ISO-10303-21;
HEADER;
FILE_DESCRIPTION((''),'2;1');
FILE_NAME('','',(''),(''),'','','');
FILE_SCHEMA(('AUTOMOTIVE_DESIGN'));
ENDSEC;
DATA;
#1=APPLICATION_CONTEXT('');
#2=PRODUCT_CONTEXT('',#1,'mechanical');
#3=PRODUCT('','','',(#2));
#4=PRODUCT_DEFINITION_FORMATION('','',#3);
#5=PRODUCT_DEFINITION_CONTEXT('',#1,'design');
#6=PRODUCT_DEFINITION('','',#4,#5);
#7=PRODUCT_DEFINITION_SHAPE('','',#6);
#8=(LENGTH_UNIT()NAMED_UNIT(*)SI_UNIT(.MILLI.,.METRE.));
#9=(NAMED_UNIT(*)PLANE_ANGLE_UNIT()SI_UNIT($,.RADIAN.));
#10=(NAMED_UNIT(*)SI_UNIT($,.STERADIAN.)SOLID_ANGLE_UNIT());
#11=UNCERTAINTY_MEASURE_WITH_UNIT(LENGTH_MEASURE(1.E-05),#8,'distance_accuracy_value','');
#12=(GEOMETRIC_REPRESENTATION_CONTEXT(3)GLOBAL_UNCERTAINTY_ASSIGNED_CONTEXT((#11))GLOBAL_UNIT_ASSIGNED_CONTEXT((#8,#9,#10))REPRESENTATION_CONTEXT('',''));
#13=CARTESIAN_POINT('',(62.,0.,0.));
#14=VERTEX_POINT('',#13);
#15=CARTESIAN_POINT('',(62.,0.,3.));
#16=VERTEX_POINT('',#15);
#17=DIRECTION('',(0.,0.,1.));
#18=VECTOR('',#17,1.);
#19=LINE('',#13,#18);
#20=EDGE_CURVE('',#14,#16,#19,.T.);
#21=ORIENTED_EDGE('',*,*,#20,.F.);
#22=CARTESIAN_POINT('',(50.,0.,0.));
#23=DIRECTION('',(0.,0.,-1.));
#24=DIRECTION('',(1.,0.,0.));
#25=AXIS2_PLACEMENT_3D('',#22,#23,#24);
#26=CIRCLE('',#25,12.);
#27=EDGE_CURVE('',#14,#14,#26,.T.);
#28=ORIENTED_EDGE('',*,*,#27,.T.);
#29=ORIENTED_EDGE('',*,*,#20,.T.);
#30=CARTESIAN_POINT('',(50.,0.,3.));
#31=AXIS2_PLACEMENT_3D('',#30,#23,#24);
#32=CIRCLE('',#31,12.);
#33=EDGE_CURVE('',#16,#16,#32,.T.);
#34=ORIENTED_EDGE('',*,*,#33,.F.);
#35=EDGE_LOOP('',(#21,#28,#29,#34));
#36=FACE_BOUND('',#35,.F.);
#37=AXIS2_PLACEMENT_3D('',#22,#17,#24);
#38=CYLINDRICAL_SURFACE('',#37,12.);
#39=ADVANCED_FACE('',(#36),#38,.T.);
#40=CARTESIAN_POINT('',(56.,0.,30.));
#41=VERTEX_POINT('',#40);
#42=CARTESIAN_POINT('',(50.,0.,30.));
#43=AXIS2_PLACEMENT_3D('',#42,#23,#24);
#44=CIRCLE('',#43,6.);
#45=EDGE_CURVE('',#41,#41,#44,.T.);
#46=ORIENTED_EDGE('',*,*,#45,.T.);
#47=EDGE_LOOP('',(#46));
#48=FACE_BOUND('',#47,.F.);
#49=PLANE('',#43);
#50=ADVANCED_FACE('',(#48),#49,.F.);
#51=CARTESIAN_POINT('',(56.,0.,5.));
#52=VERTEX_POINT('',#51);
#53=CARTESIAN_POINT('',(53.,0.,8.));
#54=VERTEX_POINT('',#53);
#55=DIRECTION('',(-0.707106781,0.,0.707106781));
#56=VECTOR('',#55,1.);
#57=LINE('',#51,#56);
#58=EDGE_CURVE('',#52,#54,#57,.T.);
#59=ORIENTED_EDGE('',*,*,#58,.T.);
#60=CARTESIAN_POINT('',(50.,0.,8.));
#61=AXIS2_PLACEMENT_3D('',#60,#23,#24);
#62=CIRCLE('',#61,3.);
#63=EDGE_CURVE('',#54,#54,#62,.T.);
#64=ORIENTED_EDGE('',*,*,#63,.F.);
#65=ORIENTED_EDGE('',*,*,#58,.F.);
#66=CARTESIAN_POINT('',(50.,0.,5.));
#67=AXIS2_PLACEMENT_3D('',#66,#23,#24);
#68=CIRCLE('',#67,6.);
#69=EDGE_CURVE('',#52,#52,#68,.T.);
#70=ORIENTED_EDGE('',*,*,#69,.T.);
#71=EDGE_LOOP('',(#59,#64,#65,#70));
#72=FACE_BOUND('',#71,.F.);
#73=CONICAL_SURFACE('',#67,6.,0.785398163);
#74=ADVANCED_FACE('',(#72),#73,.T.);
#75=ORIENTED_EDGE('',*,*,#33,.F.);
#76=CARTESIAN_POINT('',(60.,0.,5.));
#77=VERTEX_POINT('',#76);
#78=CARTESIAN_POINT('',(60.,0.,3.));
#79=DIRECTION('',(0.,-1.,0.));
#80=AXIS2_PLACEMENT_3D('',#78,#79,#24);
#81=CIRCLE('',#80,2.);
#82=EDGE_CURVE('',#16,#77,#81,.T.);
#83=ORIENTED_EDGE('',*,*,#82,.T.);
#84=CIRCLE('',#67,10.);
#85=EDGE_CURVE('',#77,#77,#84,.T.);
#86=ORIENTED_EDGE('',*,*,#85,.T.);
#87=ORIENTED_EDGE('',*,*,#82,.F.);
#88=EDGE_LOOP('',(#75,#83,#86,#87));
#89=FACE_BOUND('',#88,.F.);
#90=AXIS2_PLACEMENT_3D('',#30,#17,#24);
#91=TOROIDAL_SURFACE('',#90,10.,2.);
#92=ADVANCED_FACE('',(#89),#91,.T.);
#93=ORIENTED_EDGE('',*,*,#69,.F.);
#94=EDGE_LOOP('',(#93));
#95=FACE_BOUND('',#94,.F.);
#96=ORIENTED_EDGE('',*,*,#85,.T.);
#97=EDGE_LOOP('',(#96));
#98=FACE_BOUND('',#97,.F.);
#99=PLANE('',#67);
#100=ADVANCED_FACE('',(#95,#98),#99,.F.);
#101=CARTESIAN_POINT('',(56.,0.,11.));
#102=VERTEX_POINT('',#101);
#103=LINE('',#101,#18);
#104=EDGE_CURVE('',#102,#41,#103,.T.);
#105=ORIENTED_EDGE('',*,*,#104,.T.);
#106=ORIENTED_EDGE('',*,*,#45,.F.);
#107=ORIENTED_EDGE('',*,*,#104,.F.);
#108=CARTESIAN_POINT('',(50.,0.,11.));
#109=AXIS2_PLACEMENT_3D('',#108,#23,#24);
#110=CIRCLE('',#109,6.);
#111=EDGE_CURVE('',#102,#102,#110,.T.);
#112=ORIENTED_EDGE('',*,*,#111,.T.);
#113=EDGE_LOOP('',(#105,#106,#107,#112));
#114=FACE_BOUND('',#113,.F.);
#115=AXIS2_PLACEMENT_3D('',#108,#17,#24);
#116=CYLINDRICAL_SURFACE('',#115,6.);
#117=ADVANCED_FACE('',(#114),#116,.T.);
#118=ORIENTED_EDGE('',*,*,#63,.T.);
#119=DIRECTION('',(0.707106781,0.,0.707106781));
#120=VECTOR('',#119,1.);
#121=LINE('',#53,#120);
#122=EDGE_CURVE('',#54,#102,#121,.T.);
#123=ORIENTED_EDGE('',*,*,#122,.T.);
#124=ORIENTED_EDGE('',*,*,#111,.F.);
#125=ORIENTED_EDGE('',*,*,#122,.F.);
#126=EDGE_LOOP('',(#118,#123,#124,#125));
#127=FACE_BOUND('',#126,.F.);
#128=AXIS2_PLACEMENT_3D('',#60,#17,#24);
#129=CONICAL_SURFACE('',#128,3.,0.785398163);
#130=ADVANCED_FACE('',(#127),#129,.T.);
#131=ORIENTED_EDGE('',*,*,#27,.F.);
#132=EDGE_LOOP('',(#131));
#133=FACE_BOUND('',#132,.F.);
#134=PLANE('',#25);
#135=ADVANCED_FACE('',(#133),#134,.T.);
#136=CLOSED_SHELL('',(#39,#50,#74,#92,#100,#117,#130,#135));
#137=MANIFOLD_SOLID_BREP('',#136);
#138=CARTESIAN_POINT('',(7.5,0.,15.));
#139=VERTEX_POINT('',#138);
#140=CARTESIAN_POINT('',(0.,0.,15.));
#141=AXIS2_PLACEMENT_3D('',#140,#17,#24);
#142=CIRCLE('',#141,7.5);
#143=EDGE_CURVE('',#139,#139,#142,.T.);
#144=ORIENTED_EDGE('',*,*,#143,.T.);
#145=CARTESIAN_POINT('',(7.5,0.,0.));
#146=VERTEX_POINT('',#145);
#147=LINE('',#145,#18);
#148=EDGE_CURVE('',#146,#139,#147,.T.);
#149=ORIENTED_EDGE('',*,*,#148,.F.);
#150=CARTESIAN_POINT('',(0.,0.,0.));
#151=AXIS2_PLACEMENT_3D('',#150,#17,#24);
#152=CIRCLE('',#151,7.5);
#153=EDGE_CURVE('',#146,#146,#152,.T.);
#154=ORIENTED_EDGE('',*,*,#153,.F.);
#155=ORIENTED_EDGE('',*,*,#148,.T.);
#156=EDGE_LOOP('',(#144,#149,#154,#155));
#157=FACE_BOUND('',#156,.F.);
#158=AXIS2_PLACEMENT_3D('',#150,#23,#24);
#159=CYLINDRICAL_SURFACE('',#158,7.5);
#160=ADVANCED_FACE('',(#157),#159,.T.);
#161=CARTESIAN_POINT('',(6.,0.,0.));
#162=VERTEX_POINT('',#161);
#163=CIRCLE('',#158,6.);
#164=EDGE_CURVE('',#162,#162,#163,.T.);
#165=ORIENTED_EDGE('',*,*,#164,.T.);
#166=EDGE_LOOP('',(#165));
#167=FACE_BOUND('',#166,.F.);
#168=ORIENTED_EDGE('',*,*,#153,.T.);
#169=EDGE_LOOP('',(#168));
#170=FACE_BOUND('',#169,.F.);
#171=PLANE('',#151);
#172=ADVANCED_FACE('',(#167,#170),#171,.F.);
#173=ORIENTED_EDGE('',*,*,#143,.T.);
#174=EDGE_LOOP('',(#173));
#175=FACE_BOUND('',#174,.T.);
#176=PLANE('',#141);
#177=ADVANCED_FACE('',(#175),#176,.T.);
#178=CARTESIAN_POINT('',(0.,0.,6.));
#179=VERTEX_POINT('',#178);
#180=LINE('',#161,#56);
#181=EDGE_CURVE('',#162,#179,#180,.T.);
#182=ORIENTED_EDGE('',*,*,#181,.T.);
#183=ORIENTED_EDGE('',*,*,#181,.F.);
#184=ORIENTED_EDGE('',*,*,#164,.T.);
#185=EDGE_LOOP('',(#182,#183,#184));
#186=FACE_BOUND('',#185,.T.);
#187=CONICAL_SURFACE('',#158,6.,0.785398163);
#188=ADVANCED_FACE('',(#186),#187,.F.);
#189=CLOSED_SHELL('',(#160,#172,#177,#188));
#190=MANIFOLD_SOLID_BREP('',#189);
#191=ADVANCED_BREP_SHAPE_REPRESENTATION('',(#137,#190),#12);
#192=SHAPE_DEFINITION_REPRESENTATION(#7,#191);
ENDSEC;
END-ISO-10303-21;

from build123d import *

# Parameters (mm, degrees)
F0_R     = 7.5
F1_DEPTH = 15
F7_R     = 2


with BuildPart() as f1:
    # F0 (on Top) → F1 (new body)
    with BuildSketch(Plane.XY):
        Circle(F0_R)
    extrude(amount=F1_DEPTH)

    # F2 (on Front) → F3 (revolve, cut)
    with BuildSketch(Plane.XZ):
        Polygon((0, 6), (0, 0), (6, 0), align=None)
    revolve(axis=Axis((0, 0, 3), (0, 0, -1)), mode=Mode.SUBTRACT)


with BuildPart() as f5:
    # F4 (on Front) → F5 (revolve)
    with BuildSketch(Plane.XZ):
        Polygon((0, 30), (0, 0), (12, 0), (12, 5), (6, 5), (3, 8), (6, 11), (6, 30), align=None)
    revolve(axis=Axis((0, 0, 15), (0, 0, -1)))


with BuildPart() as f5_1:
    # F6: moved
    add(f5.part.moved(Location((50, 0, 0))))

    # F7
    f7_edges = [f5_1.edges().sort_by_distance(p)[0] for p in [
        (38, 0, 5),
    ]]
    fillet(f7_edges, radius=F7_R)


solid = Compound([f1.part, f5_1.part])
